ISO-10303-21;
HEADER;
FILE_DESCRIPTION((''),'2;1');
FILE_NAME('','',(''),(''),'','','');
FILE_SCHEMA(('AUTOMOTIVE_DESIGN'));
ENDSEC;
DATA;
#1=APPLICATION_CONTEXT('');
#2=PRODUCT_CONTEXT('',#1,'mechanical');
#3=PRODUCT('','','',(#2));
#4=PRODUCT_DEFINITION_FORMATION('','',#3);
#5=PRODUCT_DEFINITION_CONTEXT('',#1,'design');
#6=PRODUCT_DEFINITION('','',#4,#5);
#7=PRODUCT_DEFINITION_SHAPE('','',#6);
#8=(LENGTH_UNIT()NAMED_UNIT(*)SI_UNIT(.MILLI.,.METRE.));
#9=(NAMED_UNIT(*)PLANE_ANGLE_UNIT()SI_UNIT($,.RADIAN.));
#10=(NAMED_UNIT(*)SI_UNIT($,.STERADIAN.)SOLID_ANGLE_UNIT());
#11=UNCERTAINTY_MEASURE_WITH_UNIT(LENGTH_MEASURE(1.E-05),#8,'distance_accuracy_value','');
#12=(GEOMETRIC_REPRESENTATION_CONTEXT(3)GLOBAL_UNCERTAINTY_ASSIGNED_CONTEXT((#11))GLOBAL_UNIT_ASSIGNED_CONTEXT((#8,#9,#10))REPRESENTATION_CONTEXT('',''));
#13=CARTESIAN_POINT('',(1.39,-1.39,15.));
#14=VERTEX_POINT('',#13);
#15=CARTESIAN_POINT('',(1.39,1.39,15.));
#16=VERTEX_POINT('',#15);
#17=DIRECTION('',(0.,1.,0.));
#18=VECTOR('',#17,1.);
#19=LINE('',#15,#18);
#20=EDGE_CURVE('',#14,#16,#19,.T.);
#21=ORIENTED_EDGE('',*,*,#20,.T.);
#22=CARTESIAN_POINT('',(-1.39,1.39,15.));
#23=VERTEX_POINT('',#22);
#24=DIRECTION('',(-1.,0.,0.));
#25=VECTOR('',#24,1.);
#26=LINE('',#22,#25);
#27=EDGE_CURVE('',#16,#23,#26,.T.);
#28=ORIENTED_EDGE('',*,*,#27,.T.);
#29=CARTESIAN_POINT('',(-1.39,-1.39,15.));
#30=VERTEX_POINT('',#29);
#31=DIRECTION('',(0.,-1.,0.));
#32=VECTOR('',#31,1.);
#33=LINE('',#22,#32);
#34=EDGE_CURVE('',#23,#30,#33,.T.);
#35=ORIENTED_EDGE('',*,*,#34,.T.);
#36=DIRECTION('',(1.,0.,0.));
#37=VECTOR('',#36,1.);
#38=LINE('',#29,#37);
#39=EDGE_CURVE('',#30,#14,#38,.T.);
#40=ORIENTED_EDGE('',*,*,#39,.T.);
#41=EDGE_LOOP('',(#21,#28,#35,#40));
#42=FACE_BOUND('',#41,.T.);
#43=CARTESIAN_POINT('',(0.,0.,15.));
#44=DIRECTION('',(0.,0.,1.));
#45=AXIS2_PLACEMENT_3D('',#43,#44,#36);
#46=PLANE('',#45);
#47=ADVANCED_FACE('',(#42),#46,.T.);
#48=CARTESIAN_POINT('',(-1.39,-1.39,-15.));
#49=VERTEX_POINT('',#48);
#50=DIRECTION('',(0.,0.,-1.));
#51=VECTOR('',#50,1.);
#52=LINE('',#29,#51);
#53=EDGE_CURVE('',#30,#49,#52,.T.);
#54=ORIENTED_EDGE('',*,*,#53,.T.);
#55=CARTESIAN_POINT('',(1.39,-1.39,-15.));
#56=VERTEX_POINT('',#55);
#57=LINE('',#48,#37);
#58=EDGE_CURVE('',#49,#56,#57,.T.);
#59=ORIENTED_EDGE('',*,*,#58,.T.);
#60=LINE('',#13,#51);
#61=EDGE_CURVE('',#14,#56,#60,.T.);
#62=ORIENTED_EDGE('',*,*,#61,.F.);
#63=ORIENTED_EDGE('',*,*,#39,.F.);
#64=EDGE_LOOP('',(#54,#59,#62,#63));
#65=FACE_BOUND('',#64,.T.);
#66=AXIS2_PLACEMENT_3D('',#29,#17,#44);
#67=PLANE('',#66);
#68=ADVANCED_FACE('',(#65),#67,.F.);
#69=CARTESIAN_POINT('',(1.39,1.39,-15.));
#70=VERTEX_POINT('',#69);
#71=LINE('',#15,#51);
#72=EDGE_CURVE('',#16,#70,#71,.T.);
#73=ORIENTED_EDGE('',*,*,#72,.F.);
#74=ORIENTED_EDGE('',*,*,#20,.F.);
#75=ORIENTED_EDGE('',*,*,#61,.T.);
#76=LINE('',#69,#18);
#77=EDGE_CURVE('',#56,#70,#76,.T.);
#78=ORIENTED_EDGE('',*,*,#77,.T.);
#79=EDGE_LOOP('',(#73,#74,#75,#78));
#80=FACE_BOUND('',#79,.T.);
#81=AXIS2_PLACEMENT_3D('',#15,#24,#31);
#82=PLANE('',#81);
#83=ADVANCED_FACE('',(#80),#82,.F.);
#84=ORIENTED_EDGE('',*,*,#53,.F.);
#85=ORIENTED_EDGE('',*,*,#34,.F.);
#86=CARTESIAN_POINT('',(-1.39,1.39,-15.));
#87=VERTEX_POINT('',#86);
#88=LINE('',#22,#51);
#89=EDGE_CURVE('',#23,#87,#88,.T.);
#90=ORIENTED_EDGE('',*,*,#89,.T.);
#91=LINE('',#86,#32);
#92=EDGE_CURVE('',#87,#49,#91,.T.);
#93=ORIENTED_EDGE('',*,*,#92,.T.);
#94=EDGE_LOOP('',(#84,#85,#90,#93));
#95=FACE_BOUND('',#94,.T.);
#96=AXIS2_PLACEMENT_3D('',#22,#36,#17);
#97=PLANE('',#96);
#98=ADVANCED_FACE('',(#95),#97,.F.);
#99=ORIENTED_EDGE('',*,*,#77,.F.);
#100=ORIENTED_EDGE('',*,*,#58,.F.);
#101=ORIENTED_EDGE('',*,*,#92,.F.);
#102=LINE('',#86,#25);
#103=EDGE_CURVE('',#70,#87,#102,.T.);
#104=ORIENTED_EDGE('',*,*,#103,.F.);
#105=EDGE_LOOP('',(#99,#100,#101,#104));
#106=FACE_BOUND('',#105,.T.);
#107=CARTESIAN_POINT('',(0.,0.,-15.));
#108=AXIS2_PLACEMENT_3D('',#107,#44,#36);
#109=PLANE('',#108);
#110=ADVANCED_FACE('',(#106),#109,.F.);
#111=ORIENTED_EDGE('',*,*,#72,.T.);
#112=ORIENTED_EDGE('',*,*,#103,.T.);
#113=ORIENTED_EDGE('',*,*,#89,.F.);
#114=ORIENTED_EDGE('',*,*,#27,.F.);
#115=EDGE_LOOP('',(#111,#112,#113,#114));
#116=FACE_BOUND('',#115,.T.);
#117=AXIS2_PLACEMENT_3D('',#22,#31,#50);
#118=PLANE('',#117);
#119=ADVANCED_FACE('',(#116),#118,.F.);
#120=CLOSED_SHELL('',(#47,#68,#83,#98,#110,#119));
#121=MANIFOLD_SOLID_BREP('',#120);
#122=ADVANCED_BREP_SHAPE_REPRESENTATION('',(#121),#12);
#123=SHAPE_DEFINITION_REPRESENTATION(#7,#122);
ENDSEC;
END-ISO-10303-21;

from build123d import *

# Parameters (mm, degrees)
SKETCH1_W           = 2.78
SKETCH1_H           = 2.78
BOSS_EXTRUDE1_DEPTH = 15


with BuildPart() as part:
    # Sketch1 → Boss-Extrude1 (new, symmetric)
    with BuildSketch(Plane.XY):
        Rectangle(SKETCH1_W, SKETCH1_H)
    extrude(amount=BOSS_EXTRUDE1_DEPTH, both=True)


solid = part.part
